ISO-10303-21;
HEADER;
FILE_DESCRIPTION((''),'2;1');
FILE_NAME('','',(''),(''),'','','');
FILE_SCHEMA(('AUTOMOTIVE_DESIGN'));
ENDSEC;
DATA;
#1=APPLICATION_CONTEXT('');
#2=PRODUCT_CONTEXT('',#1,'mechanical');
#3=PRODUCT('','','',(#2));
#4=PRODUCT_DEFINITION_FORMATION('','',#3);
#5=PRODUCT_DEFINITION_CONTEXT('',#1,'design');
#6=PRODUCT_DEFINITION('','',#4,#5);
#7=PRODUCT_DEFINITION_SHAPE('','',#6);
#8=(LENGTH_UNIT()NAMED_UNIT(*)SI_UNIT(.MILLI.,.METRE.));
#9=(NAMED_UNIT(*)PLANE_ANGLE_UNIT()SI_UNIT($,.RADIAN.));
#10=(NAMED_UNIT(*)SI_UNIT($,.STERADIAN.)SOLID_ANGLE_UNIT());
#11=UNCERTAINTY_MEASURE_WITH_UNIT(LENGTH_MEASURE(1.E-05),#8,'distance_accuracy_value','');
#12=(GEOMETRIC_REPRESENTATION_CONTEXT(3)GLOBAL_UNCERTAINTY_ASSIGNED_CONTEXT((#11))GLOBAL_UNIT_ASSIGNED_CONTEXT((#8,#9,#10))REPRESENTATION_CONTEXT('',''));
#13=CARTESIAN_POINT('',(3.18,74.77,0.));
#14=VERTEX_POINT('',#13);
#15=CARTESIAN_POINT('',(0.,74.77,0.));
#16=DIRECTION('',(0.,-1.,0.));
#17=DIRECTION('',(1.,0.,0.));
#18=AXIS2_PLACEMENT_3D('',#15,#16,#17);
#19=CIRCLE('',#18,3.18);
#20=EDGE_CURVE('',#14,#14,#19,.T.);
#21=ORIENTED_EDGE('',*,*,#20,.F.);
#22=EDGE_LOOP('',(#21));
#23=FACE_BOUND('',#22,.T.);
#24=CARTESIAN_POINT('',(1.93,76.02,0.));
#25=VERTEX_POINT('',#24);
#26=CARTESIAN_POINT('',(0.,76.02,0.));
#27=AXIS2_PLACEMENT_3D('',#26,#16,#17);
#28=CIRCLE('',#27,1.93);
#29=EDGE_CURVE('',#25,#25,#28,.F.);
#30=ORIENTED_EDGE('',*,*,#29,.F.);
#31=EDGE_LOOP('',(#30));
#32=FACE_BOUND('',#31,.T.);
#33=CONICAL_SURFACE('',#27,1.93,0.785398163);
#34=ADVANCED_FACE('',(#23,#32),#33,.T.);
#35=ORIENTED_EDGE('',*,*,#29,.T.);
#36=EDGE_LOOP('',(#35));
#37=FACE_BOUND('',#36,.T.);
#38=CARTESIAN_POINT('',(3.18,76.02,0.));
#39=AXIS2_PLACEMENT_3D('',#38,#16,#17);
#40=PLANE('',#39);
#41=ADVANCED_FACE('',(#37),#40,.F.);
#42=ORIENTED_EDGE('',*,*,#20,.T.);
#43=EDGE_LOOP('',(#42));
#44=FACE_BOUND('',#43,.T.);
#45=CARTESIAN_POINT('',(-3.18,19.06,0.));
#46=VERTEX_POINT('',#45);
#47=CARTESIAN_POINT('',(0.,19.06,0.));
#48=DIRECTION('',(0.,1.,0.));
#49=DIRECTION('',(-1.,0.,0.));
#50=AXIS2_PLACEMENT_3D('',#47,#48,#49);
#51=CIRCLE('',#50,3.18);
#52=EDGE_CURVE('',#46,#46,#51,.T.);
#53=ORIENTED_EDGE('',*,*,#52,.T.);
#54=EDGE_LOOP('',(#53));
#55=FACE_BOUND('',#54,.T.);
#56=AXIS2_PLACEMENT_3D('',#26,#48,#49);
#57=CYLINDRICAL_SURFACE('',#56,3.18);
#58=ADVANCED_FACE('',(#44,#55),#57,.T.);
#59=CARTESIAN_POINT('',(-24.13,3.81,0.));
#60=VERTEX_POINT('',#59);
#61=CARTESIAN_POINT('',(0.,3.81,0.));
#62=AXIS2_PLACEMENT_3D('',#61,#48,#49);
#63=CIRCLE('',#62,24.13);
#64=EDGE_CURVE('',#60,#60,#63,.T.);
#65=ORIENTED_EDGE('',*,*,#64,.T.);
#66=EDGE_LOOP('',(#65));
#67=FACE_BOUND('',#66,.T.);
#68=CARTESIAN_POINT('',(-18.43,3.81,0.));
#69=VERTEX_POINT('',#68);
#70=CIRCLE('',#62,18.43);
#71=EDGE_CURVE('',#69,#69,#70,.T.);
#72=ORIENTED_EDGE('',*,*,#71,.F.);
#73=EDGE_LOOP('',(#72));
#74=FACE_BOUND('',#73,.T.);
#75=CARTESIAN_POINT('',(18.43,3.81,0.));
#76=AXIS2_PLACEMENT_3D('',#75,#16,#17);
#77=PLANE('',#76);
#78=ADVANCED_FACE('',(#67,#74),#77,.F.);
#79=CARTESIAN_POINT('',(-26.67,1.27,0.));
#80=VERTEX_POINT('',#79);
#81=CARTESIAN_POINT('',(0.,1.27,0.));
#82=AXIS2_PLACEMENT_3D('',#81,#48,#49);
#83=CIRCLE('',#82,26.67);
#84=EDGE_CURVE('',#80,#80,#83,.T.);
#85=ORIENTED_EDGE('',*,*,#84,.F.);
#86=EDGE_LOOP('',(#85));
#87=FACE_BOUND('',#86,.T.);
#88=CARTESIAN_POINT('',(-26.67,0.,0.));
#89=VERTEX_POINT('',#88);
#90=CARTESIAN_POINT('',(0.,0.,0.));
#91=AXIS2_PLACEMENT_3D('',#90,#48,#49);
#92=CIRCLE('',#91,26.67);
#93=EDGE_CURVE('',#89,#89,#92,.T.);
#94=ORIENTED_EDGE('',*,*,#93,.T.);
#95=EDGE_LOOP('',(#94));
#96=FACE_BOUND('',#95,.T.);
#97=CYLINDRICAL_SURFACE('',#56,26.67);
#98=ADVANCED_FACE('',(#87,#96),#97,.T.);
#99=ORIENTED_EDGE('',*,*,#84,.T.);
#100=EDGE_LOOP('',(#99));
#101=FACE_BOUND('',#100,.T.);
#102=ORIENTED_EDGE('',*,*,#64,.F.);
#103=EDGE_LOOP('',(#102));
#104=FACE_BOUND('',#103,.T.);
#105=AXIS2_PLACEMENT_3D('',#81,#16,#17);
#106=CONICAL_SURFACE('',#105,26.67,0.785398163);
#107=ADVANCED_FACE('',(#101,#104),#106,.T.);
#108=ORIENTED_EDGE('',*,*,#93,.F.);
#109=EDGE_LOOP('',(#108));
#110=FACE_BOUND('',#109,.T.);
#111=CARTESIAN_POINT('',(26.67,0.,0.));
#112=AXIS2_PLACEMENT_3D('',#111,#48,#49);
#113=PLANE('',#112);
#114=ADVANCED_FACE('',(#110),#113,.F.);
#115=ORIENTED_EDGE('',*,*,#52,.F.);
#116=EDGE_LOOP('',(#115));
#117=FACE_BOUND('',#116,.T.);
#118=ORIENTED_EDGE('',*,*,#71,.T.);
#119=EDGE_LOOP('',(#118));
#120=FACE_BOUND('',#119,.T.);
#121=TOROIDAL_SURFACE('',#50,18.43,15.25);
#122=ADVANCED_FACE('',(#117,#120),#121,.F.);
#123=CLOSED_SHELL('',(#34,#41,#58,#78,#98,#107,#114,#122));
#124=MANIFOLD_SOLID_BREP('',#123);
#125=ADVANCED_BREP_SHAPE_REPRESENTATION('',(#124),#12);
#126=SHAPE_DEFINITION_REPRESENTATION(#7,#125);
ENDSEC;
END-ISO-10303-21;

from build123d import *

# Parameters (mm, degrees)
CHAMFER1_SIZE = 1.25


with BuildPart() as part:
    # Sketch1 → Revolve1 (revolve)
    with BuildSketch(Plane.XY, mode=Mode.PRIVATE) as revolve1_sk:
        with BuildLine():
            Line((24.13, 3.81), (26.67, 1.27))
            Line((26.67, 1.27), (26.67, 0))
            Line((26.67, 0), (0, 0))
            Line((0, 0), (0, 76.02))
            Line((0, 76.02), (3.18, 76.02))
            Line((3.18, 76.02), (3.18, 19.06))
            ThreePointArc((3.18, 19.06), (7.646621587, 8.276621587), (18.43, 3.81))
            Line((18.43, 3.81), (24.13, 3.81))
        make_face()
    revolve(revolve1_sk.sketch.rotate(Axis((0, 76.02, 0), (0, -1, 0)), 180), axis=Axis((0, 76.02, 0), (0, -1, 0)))

    # Chamfer1
    chamfer1_edges = [part.edges().sort_by_distance(p)[0] for p in [
        (3.18, 76.02, 0),
    ]]
    chamfer(chamfer1_edges, length=CHAMFER1_SIZE)


solid = part.part
